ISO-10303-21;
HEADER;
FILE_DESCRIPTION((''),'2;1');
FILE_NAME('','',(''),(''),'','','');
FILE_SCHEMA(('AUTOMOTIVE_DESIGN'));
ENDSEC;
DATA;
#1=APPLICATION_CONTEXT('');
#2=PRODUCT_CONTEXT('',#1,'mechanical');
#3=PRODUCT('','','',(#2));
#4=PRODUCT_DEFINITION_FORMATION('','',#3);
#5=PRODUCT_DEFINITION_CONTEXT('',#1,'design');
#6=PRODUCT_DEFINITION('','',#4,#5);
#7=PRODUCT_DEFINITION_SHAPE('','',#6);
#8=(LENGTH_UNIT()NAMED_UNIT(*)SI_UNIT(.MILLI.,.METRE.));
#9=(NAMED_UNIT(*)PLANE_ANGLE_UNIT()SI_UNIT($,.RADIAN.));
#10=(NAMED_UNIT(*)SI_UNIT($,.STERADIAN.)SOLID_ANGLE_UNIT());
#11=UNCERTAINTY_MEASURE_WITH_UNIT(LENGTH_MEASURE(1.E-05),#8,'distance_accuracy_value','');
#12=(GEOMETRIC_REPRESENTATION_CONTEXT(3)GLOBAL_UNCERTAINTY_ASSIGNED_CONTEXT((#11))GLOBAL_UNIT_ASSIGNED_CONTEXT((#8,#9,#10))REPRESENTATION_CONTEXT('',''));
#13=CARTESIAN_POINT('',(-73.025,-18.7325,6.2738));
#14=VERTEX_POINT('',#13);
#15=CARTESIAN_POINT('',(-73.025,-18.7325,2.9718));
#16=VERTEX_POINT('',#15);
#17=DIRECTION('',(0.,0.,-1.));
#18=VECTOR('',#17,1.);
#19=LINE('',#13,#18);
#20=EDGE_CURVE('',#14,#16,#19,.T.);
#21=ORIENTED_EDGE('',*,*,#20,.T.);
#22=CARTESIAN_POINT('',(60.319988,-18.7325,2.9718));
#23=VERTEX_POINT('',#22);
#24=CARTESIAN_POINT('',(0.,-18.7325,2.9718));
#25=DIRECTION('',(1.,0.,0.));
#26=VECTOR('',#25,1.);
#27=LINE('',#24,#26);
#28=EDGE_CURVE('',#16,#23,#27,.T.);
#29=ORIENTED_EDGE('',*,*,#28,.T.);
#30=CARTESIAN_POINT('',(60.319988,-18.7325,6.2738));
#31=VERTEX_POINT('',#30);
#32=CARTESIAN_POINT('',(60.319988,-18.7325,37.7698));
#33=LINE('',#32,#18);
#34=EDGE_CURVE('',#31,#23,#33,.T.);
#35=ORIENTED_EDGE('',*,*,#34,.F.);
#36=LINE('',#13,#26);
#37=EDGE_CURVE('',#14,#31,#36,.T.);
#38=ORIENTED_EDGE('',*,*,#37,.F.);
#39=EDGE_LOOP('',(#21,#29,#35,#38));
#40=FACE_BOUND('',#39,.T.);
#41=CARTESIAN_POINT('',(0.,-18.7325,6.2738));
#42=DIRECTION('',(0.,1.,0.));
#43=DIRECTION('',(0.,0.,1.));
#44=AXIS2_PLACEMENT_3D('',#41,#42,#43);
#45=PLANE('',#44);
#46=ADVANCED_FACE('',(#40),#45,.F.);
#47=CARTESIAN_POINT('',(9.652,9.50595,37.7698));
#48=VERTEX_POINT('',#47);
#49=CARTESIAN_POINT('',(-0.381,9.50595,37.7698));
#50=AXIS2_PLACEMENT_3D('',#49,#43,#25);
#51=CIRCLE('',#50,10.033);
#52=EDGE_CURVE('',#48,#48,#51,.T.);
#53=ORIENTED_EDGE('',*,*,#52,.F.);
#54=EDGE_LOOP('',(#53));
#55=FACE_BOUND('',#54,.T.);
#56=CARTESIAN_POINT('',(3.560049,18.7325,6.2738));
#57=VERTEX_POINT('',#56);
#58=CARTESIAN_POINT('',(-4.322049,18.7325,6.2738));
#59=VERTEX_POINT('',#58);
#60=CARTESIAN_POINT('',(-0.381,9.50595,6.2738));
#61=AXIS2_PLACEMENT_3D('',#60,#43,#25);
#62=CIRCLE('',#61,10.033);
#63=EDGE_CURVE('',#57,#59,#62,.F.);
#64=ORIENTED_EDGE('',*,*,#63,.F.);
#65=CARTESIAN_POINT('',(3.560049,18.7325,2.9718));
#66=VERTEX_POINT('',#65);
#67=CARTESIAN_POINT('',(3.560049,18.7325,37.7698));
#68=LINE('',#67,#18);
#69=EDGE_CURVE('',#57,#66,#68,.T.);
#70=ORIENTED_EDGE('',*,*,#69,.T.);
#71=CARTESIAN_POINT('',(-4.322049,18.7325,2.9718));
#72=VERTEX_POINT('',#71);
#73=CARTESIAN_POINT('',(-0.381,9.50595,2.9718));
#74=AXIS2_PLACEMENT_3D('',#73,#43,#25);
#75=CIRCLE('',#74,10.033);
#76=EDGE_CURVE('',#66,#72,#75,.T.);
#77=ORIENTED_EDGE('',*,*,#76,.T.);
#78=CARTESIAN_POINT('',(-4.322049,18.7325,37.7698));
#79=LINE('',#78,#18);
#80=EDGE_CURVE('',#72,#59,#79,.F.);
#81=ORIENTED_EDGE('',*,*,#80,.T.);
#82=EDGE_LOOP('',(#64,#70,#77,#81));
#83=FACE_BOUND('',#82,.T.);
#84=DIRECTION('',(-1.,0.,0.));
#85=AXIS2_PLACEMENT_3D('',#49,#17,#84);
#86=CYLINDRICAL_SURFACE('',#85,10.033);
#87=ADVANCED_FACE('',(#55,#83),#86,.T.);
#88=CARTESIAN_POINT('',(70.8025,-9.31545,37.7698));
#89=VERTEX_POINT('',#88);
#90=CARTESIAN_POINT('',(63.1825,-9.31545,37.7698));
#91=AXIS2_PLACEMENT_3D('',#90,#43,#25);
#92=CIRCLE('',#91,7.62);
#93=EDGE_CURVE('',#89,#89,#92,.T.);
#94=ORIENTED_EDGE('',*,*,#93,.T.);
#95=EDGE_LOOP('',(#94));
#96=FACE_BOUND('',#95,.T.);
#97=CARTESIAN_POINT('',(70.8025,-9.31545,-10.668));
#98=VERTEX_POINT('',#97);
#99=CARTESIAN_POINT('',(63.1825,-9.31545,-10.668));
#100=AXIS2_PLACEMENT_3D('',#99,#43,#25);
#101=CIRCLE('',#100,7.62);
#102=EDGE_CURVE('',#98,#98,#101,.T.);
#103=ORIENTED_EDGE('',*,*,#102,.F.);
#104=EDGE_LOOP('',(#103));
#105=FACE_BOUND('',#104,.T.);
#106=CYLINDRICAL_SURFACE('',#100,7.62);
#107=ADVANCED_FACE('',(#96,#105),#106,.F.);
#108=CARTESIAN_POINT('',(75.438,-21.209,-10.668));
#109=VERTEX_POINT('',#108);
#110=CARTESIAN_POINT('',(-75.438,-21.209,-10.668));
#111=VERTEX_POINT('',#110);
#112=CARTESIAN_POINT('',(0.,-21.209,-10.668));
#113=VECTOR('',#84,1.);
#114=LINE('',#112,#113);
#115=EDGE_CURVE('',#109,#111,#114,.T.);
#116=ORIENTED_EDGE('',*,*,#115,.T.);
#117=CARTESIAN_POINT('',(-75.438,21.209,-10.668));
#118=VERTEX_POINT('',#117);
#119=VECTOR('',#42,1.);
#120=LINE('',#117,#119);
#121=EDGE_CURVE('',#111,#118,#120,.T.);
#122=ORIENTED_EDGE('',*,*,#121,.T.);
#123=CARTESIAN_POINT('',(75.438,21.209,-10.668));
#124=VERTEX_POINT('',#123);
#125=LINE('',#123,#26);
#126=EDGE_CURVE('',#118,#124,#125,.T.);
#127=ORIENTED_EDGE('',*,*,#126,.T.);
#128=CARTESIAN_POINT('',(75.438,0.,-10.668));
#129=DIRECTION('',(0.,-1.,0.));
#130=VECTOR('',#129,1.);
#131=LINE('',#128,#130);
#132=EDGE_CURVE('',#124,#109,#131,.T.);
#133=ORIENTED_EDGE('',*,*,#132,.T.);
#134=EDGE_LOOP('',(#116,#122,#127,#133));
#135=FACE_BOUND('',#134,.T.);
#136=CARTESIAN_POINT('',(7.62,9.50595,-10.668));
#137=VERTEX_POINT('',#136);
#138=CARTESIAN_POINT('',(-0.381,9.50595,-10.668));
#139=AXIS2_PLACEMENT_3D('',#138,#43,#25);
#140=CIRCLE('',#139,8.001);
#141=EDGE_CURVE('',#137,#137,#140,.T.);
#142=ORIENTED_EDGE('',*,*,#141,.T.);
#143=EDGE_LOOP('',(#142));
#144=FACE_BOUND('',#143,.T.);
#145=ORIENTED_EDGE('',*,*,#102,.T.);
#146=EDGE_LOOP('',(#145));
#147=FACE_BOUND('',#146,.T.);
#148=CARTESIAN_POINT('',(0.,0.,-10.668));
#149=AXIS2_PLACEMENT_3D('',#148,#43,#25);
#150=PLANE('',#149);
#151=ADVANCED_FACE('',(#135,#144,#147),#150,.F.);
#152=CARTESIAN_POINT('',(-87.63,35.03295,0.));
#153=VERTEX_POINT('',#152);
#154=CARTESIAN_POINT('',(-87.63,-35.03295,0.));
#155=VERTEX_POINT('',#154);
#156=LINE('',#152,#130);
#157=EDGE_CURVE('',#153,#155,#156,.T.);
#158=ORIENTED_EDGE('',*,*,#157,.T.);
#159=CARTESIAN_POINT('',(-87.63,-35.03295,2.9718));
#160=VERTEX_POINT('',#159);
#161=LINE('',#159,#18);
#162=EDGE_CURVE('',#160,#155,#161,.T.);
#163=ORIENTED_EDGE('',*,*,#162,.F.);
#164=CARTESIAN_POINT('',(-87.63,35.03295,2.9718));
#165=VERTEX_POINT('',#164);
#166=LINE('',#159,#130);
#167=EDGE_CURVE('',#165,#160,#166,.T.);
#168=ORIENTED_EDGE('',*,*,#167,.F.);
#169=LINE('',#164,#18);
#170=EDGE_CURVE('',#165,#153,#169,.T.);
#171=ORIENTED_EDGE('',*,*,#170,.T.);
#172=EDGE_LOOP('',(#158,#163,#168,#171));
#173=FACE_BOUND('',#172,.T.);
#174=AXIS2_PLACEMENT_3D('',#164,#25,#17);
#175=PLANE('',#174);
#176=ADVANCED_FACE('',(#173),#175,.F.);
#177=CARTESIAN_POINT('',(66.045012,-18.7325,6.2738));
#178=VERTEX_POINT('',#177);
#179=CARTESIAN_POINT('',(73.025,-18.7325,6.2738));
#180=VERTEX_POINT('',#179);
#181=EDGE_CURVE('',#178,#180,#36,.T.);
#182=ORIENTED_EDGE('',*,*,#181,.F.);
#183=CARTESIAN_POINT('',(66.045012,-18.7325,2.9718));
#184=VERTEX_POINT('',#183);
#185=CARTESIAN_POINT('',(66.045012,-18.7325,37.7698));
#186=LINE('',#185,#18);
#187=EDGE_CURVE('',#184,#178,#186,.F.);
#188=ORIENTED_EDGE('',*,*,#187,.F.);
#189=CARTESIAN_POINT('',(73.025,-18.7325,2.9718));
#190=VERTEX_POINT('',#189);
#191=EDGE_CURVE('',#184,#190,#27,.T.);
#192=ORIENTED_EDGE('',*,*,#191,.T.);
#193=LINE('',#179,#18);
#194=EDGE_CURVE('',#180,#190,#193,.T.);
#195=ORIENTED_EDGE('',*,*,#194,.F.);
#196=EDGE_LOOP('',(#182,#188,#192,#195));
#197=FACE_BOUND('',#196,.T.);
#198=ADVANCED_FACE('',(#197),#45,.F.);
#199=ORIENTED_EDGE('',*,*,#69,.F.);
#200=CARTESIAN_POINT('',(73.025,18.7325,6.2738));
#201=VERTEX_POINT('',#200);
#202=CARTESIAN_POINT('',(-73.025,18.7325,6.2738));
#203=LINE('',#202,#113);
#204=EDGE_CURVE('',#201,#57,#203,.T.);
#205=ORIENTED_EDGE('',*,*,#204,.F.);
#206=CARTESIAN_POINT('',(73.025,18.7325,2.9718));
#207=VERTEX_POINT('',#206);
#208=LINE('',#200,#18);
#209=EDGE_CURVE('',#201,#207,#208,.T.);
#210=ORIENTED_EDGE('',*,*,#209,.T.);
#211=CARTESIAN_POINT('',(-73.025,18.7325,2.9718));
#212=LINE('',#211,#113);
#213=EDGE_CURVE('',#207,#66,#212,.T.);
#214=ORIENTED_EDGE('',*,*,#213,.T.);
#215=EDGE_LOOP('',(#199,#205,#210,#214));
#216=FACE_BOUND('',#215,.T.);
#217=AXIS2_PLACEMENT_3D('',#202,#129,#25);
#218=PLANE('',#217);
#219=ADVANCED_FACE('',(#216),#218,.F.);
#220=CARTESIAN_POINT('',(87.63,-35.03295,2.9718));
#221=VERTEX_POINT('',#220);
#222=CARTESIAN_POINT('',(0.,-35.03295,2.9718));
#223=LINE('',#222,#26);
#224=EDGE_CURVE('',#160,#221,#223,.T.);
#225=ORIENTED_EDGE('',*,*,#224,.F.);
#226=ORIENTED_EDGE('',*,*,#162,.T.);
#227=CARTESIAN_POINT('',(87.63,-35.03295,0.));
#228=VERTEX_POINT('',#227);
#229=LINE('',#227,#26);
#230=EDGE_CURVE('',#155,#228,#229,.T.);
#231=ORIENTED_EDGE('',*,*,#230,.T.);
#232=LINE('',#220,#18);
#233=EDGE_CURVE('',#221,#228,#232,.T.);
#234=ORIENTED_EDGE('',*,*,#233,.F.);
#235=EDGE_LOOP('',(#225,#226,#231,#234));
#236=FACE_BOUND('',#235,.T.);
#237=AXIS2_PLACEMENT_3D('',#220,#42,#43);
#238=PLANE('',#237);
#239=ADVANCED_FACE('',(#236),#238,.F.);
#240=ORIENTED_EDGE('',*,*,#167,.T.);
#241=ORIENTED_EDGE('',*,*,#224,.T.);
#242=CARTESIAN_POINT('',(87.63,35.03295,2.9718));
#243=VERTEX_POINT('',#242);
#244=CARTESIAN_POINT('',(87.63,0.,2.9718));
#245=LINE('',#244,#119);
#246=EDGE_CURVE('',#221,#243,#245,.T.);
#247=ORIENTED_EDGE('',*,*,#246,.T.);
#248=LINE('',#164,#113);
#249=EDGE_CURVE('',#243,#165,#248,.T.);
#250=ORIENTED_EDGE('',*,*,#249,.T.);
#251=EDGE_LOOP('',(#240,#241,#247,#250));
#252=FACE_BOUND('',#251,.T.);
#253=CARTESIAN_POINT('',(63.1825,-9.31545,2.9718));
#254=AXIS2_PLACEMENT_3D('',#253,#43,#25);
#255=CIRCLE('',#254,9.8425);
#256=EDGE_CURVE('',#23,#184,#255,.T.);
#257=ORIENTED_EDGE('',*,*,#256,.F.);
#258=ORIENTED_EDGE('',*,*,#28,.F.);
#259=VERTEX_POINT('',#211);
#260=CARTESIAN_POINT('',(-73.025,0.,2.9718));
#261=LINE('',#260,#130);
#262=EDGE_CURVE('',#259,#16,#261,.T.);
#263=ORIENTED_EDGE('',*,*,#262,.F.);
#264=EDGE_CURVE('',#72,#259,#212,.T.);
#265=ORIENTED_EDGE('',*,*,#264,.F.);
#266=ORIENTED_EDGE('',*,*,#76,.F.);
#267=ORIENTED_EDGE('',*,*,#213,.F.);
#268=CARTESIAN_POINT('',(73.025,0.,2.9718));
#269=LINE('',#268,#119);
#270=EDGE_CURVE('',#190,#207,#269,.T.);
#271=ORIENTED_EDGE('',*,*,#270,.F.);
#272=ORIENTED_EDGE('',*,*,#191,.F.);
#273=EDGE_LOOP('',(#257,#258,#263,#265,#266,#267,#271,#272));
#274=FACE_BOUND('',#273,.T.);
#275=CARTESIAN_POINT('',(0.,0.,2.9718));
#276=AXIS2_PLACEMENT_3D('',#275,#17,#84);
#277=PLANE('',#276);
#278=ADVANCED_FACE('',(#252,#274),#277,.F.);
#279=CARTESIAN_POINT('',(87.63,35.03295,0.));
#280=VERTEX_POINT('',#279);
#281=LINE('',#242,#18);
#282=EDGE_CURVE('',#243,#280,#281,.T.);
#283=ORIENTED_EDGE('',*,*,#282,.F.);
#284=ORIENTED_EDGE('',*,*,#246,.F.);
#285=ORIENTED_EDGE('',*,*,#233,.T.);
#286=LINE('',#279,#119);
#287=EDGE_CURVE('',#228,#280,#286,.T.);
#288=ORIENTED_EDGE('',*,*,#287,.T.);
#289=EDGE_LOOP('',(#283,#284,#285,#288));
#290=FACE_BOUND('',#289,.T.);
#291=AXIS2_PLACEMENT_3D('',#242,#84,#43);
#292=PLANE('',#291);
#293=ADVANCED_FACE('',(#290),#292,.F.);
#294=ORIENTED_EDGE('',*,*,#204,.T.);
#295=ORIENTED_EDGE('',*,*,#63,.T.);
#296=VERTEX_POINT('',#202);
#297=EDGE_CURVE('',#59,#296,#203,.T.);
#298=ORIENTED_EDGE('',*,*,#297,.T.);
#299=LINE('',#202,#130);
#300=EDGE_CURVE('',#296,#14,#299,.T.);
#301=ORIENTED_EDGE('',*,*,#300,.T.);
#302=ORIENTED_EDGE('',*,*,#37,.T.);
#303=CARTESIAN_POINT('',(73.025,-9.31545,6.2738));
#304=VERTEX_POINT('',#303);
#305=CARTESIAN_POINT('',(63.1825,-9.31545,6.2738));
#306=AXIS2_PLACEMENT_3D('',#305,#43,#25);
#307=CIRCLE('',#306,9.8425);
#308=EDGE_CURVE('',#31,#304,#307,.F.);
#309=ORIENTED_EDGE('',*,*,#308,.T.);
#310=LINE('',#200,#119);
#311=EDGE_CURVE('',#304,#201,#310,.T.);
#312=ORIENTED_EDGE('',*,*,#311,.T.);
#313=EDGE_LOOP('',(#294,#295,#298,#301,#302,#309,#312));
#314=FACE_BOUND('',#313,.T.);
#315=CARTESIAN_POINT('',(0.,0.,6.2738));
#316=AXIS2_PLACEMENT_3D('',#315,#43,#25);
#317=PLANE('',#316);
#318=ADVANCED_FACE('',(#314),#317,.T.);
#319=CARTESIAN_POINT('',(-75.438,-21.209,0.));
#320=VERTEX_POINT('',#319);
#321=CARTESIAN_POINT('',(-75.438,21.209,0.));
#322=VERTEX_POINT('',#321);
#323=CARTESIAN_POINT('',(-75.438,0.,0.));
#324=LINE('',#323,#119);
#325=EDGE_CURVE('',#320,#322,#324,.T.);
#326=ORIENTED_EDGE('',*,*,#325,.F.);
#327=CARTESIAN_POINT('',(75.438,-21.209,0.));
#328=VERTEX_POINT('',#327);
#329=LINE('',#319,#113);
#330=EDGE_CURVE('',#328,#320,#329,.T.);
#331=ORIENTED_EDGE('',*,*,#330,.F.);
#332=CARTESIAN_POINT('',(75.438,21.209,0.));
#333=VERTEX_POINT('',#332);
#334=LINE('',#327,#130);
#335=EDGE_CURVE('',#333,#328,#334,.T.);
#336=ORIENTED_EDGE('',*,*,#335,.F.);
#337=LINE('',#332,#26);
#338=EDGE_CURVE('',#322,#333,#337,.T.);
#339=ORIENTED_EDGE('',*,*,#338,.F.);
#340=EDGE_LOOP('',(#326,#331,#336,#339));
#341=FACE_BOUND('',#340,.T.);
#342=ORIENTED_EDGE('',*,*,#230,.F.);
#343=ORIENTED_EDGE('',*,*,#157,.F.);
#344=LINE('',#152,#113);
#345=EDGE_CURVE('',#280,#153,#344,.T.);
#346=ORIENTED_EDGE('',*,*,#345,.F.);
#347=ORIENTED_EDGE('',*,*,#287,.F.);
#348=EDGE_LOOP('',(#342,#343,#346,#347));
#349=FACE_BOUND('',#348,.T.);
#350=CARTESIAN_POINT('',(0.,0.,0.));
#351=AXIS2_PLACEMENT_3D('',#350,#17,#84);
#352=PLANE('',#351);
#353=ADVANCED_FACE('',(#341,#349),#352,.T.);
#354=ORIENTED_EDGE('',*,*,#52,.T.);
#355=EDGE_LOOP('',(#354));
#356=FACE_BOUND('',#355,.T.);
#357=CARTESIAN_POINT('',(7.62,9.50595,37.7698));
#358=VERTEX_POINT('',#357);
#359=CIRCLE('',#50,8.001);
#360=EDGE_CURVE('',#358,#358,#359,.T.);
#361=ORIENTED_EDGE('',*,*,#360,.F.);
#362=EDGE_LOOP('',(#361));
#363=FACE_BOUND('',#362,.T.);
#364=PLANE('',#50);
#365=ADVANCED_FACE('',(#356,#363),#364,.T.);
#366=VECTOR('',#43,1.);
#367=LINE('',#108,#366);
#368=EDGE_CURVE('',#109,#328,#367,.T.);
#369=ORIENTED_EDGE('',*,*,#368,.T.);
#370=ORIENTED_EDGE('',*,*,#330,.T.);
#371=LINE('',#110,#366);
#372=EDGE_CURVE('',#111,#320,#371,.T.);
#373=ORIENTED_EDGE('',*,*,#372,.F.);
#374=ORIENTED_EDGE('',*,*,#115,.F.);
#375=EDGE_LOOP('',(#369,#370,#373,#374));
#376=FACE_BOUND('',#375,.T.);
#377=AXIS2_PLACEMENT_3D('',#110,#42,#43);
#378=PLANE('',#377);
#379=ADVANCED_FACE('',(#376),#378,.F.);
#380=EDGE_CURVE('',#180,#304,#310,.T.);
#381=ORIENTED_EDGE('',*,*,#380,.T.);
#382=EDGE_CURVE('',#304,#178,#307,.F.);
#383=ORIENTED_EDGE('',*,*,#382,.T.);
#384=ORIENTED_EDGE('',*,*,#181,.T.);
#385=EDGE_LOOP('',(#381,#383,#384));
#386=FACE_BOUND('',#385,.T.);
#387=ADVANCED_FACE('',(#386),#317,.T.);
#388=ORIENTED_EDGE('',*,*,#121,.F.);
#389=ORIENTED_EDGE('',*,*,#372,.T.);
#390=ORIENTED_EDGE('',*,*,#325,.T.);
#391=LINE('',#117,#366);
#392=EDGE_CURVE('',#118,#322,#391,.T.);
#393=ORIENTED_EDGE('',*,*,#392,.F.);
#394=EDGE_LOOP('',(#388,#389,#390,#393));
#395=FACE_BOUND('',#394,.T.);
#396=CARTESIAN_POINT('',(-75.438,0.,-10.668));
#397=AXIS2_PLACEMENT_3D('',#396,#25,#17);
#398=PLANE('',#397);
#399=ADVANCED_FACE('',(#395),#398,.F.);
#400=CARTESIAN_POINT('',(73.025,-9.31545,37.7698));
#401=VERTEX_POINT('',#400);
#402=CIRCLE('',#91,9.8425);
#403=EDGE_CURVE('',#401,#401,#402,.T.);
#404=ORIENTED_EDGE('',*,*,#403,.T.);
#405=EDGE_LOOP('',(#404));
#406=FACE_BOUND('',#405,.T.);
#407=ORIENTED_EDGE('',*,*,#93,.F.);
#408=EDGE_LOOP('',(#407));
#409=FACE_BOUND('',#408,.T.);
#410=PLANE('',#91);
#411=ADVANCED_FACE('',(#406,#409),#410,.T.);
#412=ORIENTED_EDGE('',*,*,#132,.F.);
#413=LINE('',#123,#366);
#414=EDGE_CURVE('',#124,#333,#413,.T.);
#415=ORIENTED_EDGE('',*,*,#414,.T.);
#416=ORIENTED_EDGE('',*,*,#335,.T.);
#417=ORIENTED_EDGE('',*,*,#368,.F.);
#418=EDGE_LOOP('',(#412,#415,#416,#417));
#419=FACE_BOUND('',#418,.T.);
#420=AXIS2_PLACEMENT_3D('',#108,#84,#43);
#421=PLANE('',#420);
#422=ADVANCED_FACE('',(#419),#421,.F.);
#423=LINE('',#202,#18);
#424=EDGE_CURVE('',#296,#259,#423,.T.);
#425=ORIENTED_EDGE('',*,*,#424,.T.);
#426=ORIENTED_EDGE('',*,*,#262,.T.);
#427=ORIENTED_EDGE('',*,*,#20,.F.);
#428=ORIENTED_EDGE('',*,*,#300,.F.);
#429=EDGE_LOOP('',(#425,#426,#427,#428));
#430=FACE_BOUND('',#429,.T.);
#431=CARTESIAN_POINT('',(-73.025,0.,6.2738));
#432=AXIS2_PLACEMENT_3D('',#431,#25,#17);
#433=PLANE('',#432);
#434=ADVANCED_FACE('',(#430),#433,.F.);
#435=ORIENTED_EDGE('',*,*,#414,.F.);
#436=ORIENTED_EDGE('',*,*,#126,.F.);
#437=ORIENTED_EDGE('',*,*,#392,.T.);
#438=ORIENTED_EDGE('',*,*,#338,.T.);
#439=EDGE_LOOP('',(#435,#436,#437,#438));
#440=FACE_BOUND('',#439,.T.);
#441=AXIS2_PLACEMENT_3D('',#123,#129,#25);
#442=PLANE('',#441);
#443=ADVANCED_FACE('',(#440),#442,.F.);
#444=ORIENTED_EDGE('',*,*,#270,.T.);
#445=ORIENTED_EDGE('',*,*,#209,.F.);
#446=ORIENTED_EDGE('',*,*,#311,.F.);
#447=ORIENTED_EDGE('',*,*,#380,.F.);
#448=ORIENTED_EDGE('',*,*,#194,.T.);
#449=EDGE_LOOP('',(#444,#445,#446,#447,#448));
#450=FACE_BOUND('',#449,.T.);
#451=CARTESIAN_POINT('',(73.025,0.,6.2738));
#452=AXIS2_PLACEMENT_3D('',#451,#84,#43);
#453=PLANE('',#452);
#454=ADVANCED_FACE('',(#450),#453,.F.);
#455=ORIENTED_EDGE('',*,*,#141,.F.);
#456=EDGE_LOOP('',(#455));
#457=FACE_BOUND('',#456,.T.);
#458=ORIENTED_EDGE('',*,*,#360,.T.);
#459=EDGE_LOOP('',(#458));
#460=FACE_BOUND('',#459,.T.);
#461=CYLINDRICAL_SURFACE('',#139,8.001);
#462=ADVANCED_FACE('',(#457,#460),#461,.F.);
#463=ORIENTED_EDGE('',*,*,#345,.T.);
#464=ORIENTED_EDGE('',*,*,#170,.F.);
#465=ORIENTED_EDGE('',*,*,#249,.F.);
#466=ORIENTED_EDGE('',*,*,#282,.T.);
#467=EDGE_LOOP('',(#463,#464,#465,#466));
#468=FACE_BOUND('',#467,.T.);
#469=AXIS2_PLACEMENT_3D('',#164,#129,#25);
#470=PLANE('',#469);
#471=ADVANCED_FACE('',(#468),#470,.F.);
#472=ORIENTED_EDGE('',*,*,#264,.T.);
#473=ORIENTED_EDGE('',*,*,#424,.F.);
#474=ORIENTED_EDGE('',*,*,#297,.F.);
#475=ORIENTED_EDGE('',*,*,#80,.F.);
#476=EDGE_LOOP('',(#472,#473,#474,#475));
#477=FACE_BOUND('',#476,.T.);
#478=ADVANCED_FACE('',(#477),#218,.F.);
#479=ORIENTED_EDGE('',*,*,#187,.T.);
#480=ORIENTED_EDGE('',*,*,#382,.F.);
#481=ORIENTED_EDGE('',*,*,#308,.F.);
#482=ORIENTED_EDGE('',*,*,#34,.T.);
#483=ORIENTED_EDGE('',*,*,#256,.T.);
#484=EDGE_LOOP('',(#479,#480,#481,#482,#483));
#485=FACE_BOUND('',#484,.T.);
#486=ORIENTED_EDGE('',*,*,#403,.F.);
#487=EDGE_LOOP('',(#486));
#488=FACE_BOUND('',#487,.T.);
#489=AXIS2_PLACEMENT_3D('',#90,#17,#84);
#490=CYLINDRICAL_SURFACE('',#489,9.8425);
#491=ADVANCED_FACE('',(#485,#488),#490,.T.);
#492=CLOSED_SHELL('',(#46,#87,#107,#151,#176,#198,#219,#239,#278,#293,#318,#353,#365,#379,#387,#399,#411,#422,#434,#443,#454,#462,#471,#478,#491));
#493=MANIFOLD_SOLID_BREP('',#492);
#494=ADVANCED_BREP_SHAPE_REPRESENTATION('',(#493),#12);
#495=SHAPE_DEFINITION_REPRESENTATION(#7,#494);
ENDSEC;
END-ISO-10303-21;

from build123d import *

# Parameters (mm, degrees)
BOSS_EXTRUDE1_DEPTH     = 2.9718
BOSS_EXTRUDE2_DEPTH     = 3.302
BOSS_EXTRUDE3_DEPTH     = 10.668
SKETCH5_R               = 10.033
BOSS_EXTRUDE4_DEPTH     = 34.798
SKETCH4_R               = 9.8425
BOSS_EXTRUDE5_DEPTH     = 34.798
CUT_EXTRUDE1_DEPTH      = 107.07801353
CUT_EXTRUDE1_DEPTH_BACK = 107.07801353
SKETCH6_R               = 7.62
SKETCH6_R_2             = 8.001


with BuildPart() as part:
    # Sketch1 → Boss-Extrude1 (new body)
    with BuildSketch(Plane.XY):
        Polygon((-87.63, 35.03295), (87.63, 35.03295), (87.63, 0), (87.63, -35.03295), (0, -35.03295), (-87.63, -35.03295), (-87.63, 0), align=None)
    extrude(amount=BOSS_EXTRUDE1_DEPTH)

    # Sketch2 → Boss-Extrude2 (add)
    with BuildSketch(Plane.XY.offset(2.9718)):
        Polygon((-73.025, 18.7325), (73.025, 18.7325), (73.025, 0), (73.025, -18.7325), (0, -18.7325), (-73.025, -18.7325), (-73.025, 0), align=None)
    extrude(amount=BOSS_EXTRUDE2_DEPTH)

    # Sketch3 → Boss-Extrude3 (add)
    with BuildSketch(Plane(origin=(0, 0, 0), x_dir=(-1, 0, 0), z_dir=(0, 0, -1))):
        Polygon((-75.438, 21.209), (75.438, 21.209), (75.438, 0), (75.438, -21.209), (0, -21.209), (-75.438, -21.209), (-75.438, 0), align=None)
    extrude(amount=BOSS_EXTRUDE3_DEPTH)

    # Sketch5 → Boss-Extrude4 (add)
    with BuildSketch(Plane.XY.offset(2.9718)):
        with Locations(Location((-0.381, 9.50595, 0), (0, 0, 113.129371467))):
            Circle(SKETCH5_R)
    extrude(amount=BOSS_EXTRUDE4_DEPTH)

    # Sketch4 → Boss-Extrude5 (add)
    with BuildSketch(Plane.XY.offset(2.9718)):
        with Locations((63.1825, -9.31545)):
            Circle(SKETCH4_R)
    extrude(amount=BOSS_EXTRUDE5_DEPTH)

    # Sketch6 → Cut-Extrude1 (cut, two sides: drawn at the far end of the back side and taken through both)
    with BuildSketch(Plane.XY.offset(37.7698).offset(-CUT_EXTRUDE1_DEPTH_BACK)):
        with Locations((63.1825, -9.31545)):
            Circle(SKETCH6_R)
        with Locations((-0.381, 9.50595)):
            Circle(SKETCH6_R_2)
    extrude(amount=CUT_EXTRUDE1_DEPTH + CUT_EXTRUDE1_DEPTH_BACK, mode=Mode.SUBTRACT)


solid = part.part
